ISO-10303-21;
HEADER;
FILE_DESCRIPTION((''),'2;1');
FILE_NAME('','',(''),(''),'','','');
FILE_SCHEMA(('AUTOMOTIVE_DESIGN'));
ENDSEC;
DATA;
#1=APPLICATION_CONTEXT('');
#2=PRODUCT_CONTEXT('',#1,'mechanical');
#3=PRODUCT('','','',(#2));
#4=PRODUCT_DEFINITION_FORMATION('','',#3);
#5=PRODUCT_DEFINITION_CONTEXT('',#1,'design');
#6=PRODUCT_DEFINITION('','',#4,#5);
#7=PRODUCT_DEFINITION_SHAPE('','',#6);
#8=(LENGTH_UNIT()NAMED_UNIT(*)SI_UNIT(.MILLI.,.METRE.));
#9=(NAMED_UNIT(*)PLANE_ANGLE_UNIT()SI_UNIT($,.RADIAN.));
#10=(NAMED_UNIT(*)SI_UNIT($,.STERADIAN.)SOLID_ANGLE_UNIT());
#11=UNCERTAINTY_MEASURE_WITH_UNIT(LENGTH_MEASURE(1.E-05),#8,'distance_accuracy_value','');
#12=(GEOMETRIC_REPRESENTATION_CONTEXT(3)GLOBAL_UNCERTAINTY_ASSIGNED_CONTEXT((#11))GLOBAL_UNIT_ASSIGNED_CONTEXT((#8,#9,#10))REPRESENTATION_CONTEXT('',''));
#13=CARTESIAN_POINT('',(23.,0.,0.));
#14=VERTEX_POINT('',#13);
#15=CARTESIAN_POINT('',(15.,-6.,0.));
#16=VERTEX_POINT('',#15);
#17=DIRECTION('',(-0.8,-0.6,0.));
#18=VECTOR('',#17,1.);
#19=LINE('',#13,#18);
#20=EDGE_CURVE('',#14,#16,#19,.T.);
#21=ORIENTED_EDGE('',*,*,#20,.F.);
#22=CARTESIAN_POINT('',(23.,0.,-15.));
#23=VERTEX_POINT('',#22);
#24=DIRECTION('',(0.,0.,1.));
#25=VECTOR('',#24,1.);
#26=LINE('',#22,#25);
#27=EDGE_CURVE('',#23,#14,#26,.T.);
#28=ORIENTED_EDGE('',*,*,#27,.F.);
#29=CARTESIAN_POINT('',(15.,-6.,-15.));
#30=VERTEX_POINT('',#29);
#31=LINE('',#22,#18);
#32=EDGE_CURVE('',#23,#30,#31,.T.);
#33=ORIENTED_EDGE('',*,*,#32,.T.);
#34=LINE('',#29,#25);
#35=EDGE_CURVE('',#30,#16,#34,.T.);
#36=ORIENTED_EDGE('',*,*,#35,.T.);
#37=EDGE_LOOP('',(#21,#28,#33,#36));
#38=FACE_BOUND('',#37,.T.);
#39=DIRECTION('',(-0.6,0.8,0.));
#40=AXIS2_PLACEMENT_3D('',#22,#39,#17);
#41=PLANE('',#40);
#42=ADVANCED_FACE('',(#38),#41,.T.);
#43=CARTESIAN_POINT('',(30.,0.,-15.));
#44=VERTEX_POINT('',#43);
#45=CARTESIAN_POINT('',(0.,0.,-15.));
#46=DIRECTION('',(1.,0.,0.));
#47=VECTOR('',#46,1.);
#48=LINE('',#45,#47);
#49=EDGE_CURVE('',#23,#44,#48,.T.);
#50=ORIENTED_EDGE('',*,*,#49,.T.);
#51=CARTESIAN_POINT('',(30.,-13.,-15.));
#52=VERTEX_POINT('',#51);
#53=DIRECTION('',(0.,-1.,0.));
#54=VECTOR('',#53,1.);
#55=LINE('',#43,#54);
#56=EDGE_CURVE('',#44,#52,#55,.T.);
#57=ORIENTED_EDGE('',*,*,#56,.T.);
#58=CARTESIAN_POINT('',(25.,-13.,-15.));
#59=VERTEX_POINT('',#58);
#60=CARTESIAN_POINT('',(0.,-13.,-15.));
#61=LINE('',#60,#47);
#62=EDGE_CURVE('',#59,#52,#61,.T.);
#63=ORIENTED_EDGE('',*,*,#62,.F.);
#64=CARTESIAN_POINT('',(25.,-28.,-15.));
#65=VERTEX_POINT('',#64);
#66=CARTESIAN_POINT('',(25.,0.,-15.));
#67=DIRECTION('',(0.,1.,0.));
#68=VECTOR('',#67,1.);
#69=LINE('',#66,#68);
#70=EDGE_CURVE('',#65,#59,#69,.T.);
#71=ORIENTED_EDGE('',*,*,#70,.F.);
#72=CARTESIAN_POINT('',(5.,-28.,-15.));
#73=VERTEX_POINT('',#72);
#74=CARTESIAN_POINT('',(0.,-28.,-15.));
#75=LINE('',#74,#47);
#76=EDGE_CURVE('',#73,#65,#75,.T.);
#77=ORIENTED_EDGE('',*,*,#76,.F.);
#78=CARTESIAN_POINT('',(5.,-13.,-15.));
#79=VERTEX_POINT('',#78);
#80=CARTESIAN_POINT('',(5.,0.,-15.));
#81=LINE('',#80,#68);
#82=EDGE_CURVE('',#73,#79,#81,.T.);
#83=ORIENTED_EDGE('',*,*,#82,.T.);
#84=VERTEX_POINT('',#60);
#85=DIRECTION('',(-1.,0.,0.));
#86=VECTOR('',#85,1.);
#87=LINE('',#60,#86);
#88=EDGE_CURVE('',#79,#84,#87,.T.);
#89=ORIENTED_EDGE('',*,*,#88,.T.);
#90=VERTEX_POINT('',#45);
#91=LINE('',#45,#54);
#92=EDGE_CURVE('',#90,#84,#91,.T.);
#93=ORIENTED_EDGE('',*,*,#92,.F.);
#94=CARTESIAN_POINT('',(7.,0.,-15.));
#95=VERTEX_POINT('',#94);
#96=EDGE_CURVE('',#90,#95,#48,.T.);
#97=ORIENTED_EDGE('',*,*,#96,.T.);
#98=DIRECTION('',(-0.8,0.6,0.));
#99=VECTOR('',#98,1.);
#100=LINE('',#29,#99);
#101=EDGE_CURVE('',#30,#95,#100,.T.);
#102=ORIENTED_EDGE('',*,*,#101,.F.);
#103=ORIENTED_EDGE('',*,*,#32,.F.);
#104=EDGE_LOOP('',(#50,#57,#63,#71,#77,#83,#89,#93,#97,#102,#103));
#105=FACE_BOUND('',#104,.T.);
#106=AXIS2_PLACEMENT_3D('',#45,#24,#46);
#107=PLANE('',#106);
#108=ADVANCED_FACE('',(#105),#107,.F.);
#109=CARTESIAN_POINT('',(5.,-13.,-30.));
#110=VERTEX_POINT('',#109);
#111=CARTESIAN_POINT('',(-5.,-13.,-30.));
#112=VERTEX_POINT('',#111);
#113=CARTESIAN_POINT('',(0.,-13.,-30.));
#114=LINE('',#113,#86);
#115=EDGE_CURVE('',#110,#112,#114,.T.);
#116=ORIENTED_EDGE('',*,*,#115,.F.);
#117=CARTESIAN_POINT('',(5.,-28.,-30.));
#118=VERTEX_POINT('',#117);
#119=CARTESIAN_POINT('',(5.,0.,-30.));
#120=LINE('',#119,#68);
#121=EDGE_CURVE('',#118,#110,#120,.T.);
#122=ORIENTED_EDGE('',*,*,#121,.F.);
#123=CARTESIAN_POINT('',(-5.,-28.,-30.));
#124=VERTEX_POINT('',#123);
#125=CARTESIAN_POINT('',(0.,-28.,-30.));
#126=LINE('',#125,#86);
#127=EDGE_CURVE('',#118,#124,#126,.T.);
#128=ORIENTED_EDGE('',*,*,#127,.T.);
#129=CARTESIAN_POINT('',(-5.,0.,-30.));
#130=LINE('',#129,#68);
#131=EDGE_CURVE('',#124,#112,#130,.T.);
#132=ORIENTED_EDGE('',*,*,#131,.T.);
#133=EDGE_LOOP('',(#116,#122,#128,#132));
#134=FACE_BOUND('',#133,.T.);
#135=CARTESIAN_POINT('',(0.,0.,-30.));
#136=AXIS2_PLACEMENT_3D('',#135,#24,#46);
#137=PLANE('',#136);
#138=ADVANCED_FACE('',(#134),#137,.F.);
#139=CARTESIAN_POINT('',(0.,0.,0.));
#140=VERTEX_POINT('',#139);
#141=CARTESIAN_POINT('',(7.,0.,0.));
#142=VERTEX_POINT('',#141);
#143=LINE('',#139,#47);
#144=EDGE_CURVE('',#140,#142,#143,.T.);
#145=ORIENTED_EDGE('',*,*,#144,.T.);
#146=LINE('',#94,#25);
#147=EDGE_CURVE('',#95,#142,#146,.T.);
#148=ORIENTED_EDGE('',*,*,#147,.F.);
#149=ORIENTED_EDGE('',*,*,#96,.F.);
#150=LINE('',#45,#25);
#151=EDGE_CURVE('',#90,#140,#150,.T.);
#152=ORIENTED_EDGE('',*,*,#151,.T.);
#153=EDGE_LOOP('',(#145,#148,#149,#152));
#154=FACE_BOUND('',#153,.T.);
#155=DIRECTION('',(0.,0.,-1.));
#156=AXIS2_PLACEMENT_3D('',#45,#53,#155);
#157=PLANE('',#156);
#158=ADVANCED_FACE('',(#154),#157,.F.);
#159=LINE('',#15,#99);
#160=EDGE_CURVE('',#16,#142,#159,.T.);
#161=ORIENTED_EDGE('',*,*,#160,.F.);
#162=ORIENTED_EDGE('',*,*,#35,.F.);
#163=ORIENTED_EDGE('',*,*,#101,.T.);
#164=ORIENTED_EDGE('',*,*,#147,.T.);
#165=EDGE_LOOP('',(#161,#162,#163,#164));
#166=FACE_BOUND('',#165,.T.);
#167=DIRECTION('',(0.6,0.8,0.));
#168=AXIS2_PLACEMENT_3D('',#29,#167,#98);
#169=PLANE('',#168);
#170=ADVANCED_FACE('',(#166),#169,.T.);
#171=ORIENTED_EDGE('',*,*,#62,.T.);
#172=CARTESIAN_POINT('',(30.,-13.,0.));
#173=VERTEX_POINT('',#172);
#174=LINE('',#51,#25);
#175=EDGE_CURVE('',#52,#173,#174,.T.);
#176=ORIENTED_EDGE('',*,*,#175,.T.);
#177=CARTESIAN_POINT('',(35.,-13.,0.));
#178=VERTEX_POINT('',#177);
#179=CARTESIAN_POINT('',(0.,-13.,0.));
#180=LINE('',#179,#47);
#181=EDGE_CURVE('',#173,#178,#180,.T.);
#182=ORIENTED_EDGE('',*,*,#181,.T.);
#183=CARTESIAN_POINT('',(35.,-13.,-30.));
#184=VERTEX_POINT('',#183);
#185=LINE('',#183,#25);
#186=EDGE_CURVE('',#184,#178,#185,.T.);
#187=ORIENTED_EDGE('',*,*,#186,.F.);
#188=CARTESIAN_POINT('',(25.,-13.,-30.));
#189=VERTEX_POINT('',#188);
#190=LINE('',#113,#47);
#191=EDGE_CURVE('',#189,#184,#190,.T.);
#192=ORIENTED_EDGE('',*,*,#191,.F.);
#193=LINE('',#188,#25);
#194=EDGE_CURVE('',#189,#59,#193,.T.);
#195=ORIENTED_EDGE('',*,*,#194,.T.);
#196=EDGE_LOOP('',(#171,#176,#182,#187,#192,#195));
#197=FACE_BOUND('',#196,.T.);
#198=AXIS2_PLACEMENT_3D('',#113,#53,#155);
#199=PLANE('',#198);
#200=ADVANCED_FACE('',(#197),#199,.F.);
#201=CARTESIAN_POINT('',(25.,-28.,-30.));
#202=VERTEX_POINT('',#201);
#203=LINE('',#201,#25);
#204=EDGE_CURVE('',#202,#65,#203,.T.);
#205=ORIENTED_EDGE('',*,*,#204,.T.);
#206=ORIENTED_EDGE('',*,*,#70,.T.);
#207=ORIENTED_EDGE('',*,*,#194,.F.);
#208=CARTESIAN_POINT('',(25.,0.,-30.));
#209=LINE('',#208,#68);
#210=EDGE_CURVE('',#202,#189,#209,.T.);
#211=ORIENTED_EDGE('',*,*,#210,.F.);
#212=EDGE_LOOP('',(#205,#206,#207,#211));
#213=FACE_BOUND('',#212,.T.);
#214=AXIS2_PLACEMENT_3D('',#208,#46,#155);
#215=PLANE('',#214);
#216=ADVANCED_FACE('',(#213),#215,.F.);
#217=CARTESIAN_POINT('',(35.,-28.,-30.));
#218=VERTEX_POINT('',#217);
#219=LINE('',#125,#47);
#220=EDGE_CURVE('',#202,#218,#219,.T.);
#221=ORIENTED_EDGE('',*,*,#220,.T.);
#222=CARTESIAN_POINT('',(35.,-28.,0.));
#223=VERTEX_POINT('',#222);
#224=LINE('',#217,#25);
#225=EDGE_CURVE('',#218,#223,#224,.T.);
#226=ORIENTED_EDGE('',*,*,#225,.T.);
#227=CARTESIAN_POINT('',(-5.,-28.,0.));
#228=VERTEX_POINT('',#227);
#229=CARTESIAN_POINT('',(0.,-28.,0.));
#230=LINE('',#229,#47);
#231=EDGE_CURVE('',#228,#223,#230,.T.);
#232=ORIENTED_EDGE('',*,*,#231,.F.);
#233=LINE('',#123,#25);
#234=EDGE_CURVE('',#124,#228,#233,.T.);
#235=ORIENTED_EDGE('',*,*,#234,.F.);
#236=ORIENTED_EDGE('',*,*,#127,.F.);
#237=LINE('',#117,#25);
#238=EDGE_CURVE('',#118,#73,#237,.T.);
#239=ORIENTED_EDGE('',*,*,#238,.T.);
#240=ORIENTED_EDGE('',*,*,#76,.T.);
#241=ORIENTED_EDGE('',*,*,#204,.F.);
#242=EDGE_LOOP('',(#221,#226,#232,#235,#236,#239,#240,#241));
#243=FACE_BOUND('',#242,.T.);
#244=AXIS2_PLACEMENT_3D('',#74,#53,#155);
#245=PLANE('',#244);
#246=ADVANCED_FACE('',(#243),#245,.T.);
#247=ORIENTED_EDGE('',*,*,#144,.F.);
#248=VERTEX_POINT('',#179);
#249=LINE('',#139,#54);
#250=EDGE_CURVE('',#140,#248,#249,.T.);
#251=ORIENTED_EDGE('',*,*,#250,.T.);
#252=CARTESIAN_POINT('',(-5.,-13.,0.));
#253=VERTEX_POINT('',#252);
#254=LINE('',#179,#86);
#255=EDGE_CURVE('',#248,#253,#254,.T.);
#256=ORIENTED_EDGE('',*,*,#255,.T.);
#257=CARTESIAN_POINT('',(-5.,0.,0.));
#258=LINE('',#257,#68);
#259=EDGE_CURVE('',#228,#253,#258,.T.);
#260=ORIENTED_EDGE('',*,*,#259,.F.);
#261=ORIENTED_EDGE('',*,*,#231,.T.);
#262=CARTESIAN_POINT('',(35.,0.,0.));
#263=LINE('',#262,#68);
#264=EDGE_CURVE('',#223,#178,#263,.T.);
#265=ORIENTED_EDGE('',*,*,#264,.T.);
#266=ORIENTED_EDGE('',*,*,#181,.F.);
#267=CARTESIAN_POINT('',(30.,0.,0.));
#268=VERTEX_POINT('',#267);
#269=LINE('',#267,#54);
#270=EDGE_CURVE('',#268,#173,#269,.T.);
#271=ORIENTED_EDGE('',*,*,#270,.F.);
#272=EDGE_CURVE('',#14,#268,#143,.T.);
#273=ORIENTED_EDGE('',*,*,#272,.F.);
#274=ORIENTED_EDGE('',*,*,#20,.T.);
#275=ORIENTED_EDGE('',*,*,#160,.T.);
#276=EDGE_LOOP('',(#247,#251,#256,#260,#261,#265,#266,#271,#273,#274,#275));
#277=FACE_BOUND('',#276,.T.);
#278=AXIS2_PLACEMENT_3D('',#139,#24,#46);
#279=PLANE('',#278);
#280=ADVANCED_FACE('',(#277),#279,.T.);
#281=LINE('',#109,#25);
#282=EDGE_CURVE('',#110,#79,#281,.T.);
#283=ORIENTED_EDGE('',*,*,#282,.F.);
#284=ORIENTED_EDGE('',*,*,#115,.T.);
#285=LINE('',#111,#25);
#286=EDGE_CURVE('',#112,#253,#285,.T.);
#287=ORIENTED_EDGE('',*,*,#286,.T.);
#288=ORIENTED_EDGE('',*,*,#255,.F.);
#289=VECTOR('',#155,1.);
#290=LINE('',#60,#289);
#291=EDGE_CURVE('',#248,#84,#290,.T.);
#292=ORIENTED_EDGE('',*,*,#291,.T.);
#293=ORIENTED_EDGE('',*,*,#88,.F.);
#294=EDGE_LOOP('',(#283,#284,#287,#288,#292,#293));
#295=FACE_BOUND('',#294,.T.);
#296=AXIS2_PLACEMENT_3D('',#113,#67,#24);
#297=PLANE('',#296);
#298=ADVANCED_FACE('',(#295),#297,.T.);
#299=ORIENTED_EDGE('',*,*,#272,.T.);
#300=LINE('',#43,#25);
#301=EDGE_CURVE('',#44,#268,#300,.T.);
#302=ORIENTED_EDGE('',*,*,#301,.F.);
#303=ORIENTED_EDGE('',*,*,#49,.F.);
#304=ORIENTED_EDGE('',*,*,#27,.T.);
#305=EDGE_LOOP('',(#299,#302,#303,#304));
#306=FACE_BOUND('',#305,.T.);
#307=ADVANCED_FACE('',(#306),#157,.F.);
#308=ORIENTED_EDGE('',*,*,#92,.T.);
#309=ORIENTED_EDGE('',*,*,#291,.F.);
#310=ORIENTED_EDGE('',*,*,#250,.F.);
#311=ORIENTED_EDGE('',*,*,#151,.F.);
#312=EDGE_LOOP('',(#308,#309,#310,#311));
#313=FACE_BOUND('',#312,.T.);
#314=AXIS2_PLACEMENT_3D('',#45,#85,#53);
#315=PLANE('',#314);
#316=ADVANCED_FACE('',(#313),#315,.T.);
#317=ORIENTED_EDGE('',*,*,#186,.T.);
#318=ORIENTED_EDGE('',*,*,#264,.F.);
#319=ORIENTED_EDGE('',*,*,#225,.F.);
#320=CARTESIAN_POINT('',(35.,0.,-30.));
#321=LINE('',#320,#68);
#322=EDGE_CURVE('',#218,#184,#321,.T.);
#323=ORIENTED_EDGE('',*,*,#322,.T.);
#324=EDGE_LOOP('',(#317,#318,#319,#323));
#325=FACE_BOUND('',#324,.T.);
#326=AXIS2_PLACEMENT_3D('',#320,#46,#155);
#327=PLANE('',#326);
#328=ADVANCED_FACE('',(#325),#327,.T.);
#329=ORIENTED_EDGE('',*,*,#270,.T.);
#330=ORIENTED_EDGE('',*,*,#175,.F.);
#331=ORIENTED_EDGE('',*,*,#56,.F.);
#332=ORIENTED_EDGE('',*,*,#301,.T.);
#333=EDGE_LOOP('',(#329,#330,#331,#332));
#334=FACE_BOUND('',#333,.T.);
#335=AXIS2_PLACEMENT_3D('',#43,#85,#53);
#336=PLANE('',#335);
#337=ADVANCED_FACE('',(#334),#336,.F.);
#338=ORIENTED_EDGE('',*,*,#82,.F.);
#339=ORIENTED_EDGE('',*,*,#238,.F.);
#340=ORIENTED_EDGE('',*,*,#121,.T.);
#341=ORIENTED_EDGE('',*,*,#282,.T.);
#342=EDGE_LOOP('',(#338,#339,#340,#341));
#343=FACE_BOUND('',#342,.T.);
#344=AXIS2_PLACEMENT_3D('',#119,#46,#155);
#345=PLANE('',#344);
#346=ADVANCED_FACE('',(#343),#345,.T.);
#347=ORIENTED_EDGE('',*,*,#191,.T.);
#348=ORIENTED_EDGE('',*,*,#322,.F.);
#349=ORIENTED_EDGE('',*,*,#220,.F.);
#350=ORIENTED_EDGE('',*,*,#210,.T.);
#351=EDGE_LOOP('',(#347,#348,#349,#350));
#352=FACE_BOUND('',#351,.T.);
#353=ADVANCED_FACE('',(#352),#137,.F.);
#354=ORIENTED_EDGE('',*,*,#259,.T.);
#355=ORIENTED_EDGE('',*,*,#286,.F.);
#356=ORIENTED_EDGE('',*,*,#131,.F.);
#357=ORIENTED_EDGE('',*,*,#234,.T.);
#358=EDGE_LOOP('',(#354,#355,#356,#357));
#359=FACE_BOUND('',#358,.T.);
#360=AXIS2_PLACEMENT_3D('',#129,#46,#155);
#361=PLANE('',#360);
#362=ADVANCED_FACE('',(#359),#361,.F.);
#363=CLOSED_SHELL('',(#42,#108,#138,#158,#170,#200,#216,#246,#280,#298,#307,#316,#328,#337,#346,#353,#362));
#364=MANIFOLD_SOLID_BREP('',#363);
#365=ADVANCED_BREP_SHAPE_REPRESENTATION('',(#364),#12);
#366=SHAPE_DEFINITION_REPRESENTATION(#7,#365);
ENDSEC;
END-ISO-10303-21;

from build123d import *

# Parameters (mm, degrees)
SKETCH1_W           = 30
SKETCH1_H           = 28
BOSS_EXTRUDE1_DEPTH = 15
CUT_EXTRUDE4_DEPTH  = 44.69210455
SKETCH3_W           = 5
SKETCH3_H           = 15
EXTRUDE_3_DEPTH     = 30


with BuildPart() as part:
    # Sketch1 → Boss-Extrude1 (new body)
    with BuildSketch(Plane.XY):
        with Locations((15, -14)):
            Rectangle(SKETCH1_W, SKETCH1_H)
    extrude(amount=-BOSS_EXTRUDE1_DEPTH)

    # Sketch2 → Cut-Extrude4 (cut, through all)
    with BuildSketch(Plane.XY):
        Polygon((23, 0), (15, -6), (7, 0), align=None)
    extrude(amount=-CUT_EXTRUDE4_DEPTH, mode=Mode.SUBTRACT)

    # Sketch3 → 凸台-拉伸3 (add)
    with BuildSketch(Plane.XY):
        with Locations((-2.5, -20.5)):
            Rectangle(SKETCH3_W, SKETCH3_H)
        with Locations((2.5, -20.5)):
            Rectangle(SKETCH3_W, SKETCH3_H)
        with Locations((27.5, -20.5)):
            Rectangle(SKETCH3_W, SKETCH3_H)
        with Locations((32.5, -20.5)):
            Rectangle(SKETCH3_W, SKETCH3_H)
    extrude(amount=-EXTRUDE_3_DEPTH)


solid = part.part
